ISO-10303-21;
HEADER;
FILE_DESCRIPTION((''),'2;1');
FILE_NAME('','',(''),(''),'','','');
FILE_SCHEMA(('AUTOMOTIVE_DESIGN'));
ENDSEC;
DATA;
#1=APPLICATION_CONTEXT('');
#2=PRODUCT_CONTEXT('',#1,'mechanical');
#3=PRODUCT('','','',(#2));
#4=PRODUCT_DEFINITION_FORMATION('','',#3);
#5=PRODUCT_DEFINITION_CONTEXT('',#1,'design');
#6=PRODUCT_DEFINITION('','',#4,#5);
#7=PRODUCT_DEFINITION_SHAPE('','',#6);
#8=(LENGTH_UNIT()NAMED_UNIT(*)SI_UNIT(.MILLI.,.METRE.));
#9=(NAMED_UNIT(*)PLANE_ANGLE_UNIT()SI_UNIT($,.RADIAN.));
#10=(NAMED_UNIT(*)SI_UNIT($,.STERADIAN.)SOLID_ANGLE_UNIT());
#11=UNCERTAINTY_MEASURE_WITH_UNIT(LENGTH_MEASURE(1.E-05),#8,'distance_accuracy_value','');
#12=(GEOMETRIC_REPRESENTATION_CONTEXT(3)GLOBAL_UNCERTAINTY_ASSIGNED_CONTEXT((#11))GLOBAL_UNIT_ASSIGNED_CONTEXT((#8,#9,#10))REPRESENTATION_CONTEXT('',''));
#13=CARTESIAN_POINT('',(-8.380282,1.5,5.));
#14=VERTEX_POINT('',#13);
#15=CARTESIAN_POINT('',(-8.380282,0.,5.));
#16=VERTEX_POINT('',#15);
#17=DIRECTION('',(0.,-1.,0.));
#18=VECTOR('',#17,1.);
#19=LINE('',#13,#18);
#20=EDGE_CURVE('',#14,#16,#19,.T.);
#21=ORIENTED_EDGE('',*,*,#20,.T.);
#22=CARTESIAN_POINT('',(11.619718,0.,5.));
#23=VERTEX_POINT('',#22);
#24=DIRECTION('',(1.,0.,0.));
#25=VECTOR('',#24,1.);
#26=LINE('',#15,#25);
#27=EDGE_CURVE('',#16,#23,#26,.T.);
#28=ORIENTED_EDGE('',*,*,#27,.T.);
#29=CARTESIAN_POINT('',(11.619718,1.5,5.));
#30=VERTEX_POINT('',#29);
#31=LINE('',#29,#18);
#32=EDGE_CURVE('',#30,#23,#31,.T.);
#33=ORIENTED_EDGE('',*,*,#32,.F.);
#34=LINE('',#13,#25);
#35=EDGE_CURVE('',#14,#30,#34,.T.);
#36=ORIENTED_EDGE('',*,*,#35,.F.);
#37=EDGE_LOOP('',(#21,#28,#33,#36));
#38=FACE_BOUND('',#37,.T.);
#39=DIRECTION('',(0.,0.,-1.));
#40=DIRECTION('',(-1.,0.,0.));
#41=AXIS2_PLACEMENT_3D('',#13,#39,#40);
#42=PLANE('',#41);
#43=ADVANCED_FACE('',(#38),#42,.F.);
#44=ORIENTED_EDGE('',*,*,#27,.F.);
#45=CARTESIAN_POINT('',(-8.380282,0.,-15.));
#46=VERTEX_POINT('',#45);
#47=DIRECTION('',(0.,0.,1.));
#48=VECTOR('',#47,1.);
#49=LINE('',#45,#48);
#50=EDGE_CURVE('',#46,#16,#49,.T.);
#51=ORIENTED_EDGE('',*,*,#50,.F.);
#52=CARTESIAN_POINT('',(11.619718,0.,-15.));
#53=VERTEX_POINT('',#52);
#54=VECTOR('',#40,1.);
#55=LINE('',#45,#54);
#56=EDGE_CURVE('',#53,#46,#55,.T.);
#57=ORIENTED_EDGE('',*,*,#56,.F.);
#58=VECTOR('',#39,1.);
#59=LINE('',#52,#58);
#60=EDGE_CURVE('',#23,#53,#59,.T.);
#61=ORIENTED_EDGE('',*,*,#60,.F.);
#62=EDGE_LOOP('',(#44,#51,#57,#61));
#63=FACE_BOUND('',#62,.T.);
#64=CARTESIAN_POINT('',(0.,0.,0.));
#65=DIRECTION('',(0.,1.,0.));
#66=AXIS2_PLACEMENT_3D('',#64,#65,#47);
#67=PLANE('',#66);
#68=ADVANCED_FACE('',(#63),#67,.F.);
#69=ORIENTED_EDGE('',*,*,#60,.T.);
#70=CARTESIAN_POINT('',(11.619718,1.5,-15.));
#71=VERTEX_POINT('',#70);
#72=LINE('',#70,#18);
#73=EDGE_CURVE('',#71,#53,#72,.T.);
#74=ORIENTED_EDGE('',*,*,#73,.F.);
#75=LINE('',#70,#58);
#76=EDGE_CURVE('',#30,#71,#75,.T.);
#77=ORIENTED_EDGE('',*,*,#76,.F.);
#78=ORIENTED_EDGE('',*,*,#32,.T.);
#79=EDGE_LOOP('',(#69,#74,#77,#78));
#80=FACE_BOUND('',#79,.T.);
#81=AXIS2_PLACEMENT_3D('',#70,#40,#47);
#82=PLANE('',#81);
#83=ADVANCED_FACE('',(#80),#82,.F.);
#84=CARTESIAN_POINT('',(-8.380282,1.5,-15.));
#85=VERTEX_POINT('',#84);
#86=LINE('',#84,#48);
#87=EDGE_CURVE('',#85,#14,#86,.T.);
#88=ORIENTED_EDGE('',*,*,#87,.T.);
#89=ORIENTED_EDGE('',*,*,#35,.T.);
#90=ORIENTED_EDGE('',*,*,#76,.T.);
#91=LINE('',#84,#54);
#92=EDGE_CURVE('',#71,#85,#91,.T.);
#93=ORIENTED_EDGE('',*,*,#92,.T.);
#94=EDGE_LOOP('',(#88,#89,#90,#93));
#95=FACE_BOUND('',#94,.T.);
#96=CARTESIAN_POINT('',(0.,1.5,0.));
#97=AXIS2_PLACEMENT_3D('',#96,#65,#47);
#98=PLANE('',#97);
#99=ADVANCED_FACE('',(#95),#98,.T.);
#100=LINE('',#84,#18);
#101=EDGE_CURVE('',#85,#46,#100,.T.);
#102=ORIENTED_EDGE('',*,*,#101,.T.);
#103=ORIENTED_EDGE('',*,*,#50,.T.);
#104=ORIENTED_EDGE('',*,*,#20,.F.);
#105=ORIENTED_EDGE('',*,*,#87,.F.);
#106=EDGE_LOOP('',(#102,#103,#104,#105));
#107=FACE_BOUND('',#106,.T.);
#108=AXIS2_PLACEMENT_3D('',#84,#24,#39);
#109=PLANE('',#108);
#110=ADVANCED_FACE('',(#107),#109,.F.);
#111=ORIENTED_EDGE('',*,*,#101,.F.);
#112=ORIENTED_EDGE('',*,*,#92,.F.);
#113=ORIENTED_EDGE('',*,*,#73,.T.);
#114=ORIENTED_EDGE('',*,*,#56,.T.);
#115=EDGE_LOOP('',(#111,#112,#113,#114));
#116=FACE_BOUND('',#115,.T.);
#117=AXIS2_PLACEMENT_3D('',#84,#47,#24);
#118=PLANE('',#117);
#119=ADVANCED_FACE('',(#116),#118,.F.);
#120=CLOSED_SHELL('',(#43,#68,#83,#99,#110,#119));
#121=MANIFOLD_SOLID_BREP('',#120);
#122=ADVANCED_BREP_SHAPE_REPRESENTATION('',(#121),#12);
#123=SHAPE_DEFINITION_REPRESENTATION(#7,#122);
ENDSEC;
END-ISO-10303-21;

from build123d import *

# Parameters (mm, degrees)
SKETCH_1_W      = 20
SKETCH_1_H      = 20
EXTRUDE_1_DEPTH = 1.5


with BuildPart() as part:
    # Эскиз1 → Бобышка-Вытянуть1 (new body)
    with BuildSketch(Plane(origin=(0, 0, 0), x_dir=(1, 0, 0), z_dir=(0, 1, 0))):
        with Locations((1.61971831, 5)):
            Rectangle(SKETCH_1_W, SKETCH_1_H)
    extrude(amount=EXTRUDE_1_DEPTH)


solid = part.part
